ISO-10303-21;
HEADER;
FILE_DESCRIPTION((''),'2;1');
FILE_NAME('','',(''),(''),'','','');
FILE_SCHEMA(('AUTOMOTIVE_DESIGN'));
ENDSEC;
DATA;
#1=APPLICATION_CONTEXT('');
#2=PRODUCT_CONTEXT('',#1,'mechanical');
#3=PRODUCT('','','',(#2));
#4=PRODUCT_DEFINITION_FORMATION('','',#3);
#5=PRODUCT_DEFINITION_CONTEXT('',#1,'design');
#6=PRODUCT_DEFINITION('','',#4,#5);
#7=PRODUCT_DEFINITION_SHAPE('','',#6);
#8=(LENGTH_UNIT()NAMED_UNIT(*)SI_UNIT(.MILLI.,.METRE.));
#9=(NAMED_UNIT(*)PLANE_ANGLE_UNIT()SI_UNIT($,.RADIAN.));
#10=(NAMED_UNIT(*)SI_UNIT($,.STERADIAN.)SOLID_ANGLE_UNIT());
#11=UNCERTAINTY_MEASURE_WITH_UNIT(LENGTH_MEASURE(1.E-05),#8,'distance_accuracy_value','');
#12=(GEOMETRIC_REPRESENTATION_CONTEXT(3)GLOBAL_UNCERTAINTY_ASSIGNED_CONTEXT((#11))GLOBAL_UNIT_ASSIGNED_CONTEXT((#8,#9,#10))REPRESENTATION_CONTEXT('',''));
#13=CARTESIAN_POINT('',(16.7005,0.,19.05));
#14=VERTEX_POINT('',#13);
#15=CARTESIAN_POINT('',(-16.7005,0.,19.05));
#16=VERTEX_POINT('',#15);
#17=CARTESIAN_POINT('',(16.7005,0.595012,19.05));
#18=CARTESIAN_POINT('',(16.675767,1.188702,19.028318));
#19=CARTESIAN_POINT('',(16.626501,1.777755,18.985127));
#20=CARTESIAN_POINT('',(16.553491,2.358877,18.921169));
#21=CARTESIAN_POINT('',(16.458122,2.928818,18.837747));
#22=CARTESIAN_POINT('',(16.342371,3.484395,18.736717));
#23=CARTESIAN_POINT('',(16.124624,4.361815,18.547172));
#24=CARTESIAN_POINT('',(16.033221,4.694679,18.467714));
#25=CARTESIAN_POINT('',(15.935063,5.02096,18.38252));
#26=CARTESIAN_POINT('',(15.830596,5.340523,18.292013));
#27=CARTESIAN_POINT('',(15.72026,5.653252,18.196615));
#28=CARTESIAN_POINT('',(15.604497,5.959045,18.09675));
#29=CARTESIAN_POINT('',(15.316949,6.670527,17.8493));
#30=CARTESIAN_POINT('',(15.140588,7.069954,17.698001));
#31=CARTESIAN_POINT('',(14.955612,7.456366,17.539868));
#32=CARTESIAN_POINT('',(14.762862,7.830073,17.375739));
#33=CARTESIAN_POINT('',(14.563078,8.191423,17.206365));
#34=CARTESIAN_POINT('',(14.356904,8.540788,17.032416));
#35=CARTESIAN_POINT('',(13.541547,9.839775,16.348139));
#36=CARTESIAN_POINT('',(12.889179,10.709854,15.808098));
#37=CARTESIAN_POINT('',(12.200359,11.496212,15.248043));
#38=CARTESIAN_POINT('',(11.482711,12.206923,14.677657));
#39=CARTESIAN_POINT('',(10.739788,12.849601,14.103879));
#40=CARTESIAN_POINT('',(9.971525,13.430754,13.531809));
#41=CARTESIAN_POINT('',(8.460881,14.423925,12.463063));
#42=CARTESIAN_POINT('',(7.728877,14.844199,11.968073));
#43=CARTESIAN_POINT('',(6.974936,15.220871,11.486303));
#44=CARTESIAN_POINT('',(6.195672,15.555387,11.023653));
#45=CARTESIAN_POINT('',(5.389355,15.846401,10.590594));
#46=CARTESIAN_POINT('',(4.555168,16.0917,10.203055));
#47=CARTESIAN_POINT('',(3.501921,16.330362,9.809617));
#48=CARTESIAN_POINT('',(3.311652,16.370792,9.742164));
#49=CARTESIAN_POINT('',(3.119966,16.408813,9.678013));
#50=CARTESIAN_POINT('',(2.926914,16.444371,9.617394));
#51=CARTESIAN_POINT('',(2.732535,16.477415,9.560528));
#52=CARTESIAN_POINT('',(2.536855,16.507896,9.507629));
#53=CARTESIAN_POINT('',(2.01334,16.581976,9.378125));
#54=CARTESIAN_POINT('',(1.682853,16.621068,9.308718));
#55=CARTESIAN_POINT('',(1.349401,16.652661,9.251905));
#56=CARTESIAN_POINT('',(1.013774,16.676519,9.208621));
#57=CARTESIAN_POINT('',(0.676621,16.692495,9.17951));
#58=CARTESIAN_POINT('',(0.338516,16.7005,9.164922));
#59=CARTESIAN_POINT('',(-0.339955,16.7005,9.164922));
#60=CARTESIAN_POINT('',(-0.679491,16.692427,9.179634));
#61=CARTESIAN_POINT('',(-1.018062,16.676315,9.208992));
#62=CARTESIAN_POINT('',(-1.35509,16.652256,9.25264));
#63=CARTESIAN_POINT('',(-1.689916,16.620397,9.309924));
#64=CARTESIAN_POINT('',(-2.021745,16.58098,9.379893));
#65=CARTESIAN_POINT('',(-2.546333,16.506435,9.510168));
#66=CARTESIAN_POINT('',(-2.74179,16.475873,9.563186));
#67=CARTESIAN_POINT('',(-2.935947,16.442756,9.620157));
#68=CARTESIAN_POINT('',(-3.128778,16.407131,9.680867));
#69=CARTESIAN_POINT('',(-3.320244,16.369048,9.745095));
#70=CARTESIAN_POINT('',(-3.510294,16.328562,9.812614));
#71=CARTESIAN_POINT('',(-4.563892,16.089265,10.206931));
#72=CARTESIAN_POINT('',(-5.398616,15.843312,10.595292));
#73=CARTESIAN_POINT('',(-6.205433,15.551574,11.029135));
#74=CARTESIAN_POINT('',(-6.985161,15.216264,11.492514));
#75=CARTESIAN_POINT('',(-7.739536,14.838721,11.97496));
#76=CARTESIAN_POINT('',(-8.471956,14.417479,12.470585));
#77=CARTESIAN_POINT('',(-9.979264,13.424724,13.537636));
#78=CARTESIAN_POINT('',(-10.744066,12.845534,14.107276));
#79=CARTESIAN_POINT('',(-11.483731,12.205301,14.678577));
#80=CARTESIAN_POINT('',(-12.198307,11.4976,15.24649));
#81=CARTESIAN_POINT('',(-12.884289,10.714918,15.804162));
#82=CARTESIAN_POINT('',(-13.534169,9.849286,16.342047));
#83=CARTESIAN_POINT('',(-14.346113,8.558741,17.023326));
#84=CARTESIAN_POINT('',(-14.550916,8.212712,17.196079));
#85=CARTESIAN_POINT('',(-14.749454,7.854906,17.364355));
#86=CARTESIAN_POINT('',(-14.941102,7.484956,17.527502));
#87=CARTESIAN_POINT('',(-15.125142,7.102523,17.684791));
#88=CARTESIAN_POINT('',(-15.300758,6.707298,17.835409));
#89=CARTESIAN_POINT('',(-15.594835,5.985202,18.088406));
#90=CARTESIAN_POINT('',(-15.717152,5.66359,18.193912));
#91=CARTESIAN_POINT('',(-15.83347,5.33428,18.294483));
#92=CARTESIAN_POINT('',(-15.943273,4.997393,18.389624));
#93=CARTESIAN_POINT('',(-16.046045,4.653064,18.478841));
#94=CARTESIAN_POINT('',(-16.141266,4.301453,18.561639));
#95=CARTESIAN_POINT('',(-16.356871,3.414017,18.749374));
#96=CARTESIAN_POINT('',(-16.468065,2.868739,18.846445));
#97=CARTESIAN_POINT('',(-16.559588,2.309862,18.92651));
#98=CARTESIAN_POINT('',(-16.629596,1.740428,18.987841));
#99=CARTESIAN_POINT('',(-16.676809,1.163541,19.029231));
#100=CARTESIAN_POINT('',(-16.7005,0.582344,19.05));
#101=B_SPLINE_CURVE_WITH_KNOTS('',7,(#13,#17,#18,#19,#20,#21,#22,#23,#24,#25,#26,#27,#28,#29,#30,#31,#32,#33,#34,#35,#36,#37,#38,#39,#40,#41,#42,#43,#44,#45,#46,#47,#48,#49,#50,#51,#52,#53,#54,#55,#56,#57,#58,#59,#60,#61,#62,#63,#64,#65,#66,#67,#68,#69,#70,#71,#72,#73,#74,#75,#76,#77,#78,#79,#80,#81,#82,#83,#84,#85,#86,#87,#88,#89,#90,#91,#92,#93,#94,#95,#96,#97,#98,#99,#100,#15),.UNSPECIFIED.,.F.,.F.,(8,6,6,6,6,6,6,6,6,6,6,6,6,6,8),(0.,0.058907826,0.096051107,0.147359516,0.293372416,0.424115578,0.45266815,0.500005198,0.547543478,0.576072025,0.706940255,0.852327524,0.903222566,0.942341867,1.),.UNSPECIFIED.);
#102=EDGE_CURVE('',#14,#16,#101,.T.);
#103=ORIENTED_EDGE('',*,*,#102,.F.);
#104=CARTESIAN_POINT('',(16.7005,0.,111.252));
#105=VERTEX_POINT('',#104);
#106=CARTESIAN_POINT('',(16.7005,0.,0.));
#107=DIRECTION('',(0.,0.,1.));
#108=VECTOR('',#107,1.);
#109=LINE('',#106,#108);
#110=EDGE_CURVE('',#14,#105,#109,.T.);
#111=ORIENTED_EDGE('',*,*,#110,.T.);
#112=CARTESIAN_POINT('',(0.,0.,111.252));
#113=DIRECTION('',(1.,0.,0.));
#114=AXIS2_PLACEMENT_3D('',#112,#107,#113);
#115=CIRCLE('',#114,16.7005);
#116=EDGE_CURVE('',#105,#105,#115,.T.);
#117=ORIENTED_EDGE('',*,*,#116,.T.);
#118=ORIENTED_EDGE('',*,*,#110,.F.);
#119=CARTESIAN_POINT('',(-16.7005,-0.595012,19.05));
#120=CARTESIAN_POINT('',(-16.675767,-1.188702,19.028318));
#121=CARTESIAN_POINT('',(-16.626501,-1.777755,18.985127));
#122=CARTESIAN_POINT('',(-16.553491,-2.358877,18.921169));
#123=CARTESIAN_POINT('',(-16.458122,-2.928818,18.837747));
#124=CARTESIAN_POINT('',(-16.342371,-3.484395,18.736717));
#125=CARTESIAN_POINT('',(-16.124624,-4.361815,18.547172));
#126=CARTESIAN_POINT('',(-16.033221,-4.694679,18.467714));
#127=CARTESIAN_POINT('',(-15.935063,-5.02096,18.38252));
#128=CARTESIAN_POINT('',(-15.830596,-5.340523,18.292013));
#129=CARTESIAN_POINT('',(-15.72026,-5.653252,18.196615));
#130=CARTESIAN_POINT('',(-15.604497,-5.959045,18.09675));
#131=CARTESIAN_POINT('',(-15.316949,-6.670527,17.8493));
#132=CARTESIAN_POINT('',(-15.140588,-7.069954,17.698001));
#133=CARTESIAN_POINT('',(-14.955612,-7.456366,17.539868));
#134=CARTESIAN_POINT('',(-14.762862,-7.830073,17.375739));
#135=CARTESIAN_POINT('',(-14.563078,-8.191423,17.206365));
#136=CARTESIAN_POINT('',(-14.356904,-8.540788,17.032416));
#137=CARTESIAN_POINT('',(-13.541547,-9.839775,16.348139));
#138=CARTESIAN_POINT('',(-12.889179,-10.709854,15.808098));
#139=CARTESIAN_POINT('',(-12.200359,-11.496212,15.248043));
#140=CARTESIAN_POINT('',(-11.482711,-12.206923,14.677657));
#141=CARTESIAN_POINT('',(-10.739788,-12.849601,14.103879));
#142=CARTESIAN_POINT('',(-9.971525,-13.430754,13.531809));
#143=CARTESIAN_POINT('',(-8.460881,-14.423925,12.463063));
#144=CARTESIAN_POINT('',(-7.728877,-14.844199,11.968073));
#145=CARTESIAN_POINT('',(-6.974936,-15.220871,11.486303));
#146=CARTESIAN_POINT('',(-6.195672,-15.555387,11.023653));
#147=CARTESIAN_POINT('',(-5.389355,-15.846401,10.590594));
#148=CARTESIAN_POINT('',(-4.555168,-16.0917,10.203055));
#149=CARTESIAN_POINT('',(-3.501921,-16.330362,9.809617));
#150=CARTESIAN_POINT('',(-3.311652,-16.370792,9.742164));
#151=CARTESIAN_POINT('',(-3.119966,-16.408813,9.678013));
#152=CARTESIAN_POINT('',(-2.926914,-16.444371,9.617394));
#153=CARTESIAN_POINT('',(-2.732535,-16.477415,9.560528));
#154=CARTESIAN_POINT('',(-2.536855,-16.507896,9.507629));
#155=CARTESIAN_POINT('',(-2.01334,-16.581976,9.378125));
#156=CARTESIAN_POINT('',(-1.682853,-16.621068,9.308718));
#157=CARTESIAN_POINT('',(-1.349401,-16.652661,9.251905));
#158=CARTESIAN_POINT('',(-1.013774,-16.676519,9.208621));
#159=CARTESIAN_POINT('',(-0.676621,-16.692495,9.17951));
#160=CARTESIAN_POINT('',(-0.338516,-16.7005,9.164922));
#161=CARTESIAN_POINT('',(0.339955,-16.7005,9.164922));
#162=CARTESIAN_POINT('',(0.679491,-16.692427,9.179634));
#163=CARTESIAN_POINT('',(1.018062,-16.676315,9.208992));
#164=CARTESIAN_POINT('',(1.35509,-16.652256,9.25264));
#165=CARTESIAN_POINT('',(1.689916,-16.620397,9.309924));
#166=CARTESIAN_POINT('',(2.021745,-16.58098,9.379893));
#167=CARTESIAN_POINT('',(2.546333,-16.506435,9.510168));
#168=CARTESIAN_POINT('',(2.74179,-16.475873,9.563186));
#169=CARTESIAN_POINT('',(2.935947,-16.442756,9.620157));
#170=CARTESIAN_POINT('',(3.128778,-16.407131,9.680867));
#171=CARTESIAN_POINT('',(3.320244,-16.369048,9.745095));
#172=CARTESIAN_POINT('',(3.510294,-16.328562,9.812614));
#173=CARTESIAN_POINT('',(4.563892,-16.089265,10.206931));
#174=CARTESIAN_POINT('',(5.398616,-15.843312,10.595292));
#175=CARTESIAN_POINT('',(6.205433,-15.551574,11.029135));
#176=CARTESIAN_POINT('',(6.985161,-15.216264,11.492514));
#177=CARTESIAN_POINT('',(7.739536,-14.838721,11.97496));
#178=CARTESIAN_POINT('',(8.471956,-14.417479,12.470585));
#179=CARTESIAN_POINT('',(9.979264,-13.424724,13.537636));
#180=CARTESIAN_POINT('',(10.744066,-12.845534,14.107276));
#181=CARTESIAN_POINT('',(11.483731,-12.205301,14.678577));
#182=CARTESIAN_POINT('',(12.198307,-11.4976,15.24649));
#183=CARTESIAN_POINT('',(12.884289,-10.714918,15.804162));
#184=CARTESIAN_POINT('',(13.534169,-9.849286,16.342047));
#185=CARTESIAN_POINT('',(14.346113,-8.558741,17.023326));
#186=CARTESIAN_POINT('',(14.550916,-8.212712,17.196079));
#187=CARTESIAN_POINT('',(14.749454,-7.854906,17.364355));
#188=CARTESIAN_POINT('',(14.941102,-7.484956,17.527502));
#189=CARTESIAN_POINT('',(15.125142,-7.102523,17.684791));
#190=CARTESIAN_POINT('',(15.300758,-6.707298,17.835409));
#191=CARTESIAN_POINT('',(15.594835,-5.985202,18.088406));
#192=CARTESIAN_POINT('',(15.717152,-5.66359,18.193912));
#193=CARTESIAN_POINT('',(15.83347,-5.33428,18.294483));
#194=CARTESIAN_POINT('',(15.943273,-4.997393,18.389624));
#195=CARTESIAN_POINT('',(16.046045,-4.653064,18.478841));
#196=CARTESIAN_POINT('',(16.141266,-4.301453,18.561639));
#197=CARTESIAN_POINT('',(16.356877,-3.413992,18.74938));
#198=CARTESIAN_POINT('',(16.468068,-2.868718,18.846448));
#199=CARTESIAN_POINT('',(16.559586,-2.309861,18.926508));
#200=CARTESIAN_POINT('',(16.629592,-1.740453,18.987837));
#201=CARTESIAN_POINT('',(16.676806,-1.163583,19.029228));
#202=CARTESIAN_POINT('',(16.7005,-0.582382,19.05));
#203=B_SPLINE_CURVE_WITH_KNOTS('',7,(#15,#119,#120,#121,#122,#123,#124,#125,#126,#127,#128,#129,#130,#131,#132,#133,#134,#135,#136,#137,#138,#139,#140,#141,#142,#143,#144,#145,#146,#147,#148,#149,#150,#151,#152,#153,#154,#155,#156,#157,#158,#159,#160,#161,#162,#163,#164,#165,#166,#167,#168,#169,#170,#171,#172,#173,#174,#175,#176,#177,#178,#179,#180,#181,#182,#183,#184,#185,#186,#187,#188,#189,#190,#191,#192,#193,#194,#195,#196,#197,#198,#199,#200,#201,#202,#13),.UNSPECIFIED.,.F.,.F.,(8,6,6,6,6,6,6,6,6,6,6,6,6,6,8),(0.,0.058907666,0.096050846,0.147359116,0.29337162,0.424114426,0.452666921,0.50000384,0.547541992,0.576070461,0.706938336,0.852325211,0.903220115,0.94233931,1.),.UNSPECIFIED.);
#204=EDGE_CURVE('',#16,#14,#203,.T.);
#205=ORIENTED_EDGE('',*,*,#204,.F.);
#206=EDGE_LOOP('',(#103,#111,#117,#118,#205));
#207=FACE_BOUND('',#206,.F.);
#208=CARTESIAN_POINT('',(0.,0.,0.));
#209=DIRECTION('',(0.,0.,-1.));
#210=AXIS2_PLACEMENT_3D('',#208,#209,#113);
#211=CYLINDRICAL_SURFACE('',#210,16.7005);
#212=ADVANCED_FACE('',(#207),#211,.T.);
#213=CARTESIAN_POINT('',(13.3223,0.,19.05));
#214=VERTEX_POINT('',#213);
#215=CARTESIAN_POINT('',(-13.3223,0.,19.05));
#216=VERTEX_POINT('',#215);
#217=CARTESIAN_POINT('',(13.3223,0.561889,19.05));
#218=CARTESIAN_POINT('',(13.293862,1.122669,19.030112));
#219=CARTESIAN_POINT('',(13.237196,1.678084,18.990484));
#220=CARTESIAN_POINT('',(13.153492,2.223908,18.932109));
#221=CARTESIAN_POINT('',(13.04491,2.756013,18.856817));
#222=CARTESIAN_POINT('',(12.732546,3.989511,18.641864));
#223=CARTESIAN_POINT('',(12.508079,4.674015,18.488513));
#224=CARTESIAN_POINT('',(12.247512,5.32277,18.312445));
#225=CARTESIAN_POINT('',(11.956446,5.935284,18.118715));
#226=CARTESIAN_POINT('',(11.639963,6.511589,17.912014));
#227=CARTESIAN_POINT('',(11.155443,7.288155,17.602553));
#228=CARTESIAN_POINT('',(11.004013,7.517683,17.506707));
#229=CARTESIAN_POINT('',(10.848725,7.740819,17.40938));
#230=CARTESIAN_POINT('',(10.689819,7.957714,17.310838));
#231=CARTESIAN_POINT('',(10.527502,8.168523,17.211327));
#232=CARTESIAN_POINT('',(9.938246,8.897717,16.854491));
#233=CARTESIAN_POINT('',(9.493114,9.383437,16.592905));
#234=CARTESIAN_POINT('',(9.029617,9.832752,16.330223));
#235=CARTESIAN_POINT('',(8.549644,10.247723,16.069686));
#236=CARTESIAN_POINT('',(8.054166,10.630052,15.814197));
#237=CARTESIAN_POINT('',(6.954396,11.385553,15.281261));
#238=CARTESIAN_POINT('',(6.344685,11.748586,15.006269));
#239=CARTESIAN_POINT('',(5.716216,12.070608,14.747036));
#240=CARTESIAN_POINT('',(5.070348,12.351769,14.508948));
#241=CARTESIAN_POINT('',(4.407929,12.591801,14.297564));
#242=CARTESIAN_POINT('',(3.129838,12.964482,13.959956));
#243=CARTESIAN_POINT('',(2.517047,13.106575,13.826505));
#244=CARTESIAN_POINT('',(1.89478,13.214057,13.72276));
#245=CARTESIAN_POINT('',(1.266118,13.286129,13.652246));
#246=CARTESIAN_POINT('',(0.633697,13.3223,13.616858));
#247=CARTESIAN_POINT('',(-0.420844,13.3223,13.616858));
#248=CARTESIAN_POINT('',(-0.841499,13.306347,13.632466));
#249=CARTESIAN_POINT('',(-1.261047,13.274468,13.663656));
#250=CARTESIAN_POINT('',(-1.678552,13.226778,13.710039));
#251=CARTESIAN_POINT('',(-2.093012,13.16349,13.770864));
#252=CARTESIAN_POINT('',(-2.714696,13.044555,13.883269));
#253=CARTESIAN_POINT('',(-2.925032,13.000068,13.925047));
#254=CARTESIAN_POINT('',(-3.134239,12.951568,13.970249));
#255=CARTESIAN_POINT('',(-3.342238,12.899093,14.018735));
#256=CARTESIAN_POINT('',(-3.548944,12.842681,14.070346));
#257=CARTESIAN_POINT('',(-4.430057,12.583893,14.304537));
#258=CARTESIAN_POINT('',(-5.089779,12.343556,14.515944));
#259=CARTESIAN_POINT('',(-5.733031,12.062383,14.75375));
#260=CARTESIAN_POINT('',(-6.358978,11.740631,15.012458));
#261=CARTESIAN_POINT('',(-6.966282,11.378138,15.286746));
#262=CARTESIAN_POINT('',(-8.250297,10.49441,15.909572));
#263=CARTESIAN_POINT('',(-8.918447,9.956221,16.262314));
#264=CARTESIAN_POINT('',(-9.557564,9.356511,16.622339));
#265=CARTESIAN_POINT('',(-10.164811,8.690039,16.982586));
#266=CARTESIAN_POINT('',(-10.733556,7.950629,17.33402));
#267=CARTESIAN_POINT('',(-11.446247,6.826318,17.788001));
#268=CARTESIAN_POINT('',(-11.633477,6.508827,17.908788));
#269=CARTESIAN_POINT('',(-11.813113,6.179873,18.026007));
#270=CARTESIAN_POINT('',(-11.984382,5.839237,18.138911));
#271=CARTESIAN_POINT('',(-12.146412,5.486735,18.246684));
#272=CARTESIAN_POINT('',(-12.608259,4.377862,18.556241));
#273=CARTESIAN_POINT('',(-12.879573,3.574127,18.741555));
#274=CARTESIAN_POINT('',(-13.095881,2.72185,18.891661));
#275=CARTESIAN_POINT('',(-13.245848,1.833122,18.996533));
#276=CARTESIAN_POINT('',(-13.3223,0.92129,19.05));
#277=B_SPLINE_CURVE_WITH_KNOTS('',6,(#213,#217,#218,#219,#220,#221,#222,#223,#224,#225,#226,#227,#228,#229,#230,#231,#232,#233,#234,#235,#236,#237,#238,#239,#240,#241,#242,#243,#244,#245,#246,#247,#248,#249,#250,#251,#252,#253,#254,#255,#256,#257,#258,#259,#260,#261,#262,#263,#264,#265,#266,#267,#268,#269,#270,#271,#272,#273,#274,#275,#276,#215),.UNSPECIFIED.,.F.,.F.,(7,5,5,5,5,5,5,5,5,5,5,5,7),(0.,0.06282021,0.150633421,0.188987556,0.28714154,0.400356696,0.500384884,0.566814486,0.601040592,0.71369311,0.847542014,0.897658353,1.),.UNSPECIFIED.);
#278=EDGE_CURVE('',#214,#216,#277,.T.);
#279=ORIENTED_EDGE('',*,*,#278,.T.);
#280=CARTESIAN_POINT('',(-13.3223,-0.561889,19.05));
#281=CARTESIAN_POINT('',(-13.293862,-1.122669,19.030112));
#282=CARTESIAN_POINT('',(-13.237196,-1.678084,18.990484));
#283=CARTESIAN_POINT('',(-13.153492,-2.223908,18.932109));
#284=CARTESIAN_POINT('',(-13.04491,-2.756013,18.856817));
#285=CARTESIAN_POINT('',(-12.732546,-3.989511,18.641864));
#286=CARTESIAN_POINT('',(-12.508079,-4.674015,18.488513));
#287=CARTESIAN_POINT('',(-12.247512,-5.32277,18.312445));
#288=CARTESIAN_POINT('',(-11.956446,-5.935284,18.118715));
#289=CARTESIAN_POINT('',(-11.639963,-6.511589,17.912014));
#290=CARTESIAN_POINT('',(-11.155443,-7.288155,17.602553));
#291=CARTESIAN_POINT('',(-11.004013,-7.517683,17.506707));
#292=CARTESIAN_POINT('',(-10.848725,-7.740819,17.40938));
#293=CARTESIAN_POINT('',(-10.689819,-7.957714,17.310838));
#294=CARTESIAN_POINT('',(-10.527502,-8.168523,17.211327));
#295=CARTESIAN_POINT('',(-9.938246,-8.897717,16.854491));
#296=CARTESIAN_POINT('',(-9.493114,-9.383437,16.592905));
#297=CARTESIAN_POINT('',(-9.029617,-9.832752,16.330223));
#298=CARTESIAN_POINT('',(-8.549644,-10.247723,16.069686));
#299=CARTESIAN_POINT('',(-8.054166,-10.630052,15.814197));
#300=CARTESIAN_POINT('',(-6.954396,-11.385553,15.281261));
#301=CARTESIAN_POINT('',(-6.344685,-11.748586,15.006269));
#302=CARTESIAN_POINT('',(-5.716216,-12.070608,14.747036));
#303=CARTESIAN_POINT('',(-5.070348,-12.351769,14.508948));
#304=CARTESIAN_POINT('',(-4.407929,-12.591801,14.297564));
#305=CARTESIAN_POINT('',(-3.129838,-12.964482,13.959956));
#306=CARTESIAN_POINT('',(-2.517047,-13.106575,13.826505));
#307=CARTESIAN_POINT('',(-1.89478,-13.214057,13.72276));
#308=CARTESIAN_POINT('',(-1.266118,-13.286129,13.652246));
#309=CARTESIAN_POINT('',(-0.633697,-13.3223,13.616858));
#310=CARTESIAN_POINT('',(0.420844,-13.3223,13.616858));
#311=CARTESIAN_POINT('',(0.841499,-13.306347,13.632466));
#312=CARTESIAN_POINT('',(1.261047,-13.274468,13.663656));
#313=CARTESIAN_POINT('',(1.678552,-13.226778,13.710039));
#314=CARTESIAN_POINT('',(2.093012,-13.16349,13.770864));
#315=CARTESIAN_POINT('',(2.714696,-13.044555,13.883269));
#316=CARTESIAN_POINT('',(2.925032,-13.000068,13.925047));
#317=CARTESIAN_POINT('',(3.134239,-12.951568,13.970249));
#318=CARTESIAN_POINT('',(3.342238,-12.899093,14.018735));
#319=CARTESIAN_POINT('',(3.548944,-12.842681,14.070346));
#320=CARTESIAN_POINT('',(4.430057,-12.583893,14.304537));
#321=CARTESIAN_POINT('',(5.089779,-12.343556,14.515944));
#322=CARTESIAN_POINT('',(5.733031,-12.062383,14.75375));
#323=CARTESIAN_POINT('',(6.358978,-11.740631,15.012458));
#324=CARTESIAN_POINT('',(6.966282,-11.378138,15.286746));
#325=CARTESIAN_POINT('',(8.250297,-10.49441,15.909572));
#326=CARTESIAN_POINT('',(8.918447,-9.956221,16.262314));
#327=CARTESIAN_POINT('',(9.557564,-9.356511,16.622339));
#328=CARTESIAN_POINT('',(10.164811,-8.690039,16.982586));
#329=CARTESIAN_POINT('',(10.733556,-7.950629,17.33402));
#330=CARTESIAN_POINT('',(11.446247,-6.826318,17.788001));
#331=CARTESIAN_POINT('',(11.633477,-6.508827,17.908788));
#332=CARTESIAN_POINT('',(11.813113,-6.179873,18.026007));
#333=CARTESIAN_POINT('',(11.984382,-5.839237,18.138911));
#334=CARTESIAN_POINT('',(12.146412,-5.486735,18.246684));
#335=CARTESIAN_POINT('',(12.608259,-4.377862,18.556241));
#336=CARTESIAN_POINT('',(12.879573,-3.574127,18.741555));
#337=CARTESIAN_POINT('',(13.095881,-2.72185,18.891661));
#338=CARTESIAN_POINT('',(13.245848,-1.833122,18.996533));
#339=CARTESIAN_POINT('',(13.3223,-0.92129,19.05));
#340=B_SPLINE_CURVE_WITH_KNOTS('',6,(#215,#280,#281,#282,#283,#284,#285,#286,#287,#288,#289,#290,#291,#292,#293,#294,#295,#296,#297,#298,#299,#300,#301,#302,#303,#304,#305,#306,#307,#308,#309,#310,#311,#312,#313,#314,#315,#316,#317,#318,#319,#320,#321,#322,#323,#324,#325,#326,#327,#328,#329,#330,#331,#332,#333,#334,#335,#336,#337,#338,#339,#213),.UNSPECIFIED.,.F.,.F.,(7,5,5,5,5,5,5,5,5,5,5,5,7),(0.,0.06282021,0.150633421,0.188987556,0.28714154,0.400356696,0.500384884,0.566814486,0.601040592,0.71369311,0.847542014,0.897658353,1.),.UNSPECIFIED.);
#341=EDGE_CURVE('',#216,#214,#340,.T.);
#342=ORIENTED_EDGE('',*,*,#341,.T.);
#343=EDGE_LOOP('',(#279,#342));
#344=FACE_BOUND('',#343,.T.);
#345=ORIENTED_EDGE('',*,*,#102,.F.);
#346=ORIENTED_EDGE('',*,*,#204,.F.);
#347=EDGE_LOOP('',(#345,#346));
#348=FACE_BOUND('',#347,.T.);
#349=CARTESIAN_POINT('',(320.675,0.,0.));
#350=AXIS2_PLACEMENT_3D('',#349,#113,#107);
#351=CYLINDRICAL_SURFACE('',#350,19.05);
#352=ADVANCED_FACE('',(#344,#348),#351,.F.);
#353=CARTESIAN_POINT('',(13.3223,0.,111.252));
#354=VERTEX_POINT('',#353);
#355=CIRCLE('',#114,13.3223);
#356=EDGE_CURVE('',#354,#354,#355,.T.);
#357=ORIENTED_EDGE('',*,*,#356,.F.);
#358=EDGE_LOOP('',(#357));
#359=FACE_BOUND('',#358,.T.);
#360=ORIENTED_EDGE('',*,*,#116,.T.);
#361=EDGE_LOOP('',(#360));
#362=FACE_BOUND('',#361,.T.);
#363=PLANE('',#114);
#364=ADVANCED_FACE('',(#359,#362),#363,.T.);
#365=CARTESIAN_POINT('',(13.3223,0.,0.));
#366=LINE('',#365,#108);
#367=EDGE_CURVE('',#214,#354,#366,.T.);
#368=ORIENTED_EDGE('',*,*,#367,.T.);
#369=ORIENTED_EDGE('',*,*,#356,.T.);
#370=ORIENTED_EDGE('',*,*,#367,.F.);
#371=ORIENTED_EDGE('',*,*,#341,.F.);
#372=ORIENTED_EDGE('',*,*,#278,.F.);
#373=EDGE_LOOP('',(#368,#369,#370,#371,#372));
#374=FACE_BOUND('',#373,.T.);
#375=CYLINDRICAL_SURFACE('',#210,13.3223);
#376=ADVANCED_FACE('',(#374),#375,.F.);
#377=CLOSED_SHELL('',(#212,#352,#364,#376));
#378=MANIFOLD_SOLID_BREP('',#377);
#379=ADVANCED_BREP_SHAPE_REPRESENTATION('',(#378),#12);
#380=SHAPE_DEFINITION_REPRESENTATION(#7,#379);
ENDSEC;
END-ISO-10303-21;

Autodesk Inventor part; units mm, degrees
ref_plane "Start plane" through (0, 0, 0) normal (0, 0, 1) x (1, 0, 0)
ref_plane "End plane" through (0, 0, 111.252) normal (0, 0, 1) x (1, 0, 0)
sketch "Sketch" plane through (0, 0, 0) normal (0, 0, 1) x (1, 0, 0)
  circle A0 centre (0, 0) radius 13.3223
  circle A1 centre (0, 0) radius 16.7005
  dimension "d0" = 33.401
  dimension "d1" = 3.3782
extrude "Body" add sketch "Sketch" along normal up to surface (111.252 mm away) from surface at 0
sketch "Sketch3" plane through (0, 0, 0) normal (0, 0, 1) x (1, 0, 0)
  line L0 (0, 0) -> (10, 0)
ref_plane "Work Plane3" through (0, 0, 0) normal (0, -1, 0) x (1, 0, 0)
sketch "Sketch4" plane through (0, 0, 0) normal (0, -1, 0) x (1, 0, 0)
  line L0 (-2, 0) -> (12, 0)
  line L1 (-2, 111.252) -> (12, 111.252)
  dimension "d7" = 111.252
ref_plane "Work Plane4" through (320.675, 0, 0) normal (-1, 0, 0) x (0, 0, 1)
ref_plane "Work Plane5" through (-320.675, 0, 0) normal (-1, 0, 0) x (0, 0, 1)
ref_plane "Work Plane6" through (0, 0, 0) normal (-1, 0, 0) x (0, 0, 1)
sketch "Sketch5" plane through (0, 0, 0) normal (-1, 0, 0) x (0, 0, 1)
  circle A0 centre (0, 0) radius 19.05
extrude "Extrusion2" cut sketch "Sketch5" along normal up to surface (641.35 mm away) from surface at -320.675
equation "\"d0\" = G_H"
equation "\"d1\" = G_T"
equation "\"d2\" = G_L"
equation "\"G_H\" = 33.401"
equation "\"G_T\" = 3.3782"
equation "\"G_L\" = d7"
equation "\"G_OFFSET_START\" = 0"
equation "\"G_OFFSET_END\" = 0"
equation "\"d5\" = G_OFFSET_END + B_L"
equation "\"B_L\" = 111.252"
properties part number "ANSI - 1 x 0.133 - 4.38" material "Steel"
